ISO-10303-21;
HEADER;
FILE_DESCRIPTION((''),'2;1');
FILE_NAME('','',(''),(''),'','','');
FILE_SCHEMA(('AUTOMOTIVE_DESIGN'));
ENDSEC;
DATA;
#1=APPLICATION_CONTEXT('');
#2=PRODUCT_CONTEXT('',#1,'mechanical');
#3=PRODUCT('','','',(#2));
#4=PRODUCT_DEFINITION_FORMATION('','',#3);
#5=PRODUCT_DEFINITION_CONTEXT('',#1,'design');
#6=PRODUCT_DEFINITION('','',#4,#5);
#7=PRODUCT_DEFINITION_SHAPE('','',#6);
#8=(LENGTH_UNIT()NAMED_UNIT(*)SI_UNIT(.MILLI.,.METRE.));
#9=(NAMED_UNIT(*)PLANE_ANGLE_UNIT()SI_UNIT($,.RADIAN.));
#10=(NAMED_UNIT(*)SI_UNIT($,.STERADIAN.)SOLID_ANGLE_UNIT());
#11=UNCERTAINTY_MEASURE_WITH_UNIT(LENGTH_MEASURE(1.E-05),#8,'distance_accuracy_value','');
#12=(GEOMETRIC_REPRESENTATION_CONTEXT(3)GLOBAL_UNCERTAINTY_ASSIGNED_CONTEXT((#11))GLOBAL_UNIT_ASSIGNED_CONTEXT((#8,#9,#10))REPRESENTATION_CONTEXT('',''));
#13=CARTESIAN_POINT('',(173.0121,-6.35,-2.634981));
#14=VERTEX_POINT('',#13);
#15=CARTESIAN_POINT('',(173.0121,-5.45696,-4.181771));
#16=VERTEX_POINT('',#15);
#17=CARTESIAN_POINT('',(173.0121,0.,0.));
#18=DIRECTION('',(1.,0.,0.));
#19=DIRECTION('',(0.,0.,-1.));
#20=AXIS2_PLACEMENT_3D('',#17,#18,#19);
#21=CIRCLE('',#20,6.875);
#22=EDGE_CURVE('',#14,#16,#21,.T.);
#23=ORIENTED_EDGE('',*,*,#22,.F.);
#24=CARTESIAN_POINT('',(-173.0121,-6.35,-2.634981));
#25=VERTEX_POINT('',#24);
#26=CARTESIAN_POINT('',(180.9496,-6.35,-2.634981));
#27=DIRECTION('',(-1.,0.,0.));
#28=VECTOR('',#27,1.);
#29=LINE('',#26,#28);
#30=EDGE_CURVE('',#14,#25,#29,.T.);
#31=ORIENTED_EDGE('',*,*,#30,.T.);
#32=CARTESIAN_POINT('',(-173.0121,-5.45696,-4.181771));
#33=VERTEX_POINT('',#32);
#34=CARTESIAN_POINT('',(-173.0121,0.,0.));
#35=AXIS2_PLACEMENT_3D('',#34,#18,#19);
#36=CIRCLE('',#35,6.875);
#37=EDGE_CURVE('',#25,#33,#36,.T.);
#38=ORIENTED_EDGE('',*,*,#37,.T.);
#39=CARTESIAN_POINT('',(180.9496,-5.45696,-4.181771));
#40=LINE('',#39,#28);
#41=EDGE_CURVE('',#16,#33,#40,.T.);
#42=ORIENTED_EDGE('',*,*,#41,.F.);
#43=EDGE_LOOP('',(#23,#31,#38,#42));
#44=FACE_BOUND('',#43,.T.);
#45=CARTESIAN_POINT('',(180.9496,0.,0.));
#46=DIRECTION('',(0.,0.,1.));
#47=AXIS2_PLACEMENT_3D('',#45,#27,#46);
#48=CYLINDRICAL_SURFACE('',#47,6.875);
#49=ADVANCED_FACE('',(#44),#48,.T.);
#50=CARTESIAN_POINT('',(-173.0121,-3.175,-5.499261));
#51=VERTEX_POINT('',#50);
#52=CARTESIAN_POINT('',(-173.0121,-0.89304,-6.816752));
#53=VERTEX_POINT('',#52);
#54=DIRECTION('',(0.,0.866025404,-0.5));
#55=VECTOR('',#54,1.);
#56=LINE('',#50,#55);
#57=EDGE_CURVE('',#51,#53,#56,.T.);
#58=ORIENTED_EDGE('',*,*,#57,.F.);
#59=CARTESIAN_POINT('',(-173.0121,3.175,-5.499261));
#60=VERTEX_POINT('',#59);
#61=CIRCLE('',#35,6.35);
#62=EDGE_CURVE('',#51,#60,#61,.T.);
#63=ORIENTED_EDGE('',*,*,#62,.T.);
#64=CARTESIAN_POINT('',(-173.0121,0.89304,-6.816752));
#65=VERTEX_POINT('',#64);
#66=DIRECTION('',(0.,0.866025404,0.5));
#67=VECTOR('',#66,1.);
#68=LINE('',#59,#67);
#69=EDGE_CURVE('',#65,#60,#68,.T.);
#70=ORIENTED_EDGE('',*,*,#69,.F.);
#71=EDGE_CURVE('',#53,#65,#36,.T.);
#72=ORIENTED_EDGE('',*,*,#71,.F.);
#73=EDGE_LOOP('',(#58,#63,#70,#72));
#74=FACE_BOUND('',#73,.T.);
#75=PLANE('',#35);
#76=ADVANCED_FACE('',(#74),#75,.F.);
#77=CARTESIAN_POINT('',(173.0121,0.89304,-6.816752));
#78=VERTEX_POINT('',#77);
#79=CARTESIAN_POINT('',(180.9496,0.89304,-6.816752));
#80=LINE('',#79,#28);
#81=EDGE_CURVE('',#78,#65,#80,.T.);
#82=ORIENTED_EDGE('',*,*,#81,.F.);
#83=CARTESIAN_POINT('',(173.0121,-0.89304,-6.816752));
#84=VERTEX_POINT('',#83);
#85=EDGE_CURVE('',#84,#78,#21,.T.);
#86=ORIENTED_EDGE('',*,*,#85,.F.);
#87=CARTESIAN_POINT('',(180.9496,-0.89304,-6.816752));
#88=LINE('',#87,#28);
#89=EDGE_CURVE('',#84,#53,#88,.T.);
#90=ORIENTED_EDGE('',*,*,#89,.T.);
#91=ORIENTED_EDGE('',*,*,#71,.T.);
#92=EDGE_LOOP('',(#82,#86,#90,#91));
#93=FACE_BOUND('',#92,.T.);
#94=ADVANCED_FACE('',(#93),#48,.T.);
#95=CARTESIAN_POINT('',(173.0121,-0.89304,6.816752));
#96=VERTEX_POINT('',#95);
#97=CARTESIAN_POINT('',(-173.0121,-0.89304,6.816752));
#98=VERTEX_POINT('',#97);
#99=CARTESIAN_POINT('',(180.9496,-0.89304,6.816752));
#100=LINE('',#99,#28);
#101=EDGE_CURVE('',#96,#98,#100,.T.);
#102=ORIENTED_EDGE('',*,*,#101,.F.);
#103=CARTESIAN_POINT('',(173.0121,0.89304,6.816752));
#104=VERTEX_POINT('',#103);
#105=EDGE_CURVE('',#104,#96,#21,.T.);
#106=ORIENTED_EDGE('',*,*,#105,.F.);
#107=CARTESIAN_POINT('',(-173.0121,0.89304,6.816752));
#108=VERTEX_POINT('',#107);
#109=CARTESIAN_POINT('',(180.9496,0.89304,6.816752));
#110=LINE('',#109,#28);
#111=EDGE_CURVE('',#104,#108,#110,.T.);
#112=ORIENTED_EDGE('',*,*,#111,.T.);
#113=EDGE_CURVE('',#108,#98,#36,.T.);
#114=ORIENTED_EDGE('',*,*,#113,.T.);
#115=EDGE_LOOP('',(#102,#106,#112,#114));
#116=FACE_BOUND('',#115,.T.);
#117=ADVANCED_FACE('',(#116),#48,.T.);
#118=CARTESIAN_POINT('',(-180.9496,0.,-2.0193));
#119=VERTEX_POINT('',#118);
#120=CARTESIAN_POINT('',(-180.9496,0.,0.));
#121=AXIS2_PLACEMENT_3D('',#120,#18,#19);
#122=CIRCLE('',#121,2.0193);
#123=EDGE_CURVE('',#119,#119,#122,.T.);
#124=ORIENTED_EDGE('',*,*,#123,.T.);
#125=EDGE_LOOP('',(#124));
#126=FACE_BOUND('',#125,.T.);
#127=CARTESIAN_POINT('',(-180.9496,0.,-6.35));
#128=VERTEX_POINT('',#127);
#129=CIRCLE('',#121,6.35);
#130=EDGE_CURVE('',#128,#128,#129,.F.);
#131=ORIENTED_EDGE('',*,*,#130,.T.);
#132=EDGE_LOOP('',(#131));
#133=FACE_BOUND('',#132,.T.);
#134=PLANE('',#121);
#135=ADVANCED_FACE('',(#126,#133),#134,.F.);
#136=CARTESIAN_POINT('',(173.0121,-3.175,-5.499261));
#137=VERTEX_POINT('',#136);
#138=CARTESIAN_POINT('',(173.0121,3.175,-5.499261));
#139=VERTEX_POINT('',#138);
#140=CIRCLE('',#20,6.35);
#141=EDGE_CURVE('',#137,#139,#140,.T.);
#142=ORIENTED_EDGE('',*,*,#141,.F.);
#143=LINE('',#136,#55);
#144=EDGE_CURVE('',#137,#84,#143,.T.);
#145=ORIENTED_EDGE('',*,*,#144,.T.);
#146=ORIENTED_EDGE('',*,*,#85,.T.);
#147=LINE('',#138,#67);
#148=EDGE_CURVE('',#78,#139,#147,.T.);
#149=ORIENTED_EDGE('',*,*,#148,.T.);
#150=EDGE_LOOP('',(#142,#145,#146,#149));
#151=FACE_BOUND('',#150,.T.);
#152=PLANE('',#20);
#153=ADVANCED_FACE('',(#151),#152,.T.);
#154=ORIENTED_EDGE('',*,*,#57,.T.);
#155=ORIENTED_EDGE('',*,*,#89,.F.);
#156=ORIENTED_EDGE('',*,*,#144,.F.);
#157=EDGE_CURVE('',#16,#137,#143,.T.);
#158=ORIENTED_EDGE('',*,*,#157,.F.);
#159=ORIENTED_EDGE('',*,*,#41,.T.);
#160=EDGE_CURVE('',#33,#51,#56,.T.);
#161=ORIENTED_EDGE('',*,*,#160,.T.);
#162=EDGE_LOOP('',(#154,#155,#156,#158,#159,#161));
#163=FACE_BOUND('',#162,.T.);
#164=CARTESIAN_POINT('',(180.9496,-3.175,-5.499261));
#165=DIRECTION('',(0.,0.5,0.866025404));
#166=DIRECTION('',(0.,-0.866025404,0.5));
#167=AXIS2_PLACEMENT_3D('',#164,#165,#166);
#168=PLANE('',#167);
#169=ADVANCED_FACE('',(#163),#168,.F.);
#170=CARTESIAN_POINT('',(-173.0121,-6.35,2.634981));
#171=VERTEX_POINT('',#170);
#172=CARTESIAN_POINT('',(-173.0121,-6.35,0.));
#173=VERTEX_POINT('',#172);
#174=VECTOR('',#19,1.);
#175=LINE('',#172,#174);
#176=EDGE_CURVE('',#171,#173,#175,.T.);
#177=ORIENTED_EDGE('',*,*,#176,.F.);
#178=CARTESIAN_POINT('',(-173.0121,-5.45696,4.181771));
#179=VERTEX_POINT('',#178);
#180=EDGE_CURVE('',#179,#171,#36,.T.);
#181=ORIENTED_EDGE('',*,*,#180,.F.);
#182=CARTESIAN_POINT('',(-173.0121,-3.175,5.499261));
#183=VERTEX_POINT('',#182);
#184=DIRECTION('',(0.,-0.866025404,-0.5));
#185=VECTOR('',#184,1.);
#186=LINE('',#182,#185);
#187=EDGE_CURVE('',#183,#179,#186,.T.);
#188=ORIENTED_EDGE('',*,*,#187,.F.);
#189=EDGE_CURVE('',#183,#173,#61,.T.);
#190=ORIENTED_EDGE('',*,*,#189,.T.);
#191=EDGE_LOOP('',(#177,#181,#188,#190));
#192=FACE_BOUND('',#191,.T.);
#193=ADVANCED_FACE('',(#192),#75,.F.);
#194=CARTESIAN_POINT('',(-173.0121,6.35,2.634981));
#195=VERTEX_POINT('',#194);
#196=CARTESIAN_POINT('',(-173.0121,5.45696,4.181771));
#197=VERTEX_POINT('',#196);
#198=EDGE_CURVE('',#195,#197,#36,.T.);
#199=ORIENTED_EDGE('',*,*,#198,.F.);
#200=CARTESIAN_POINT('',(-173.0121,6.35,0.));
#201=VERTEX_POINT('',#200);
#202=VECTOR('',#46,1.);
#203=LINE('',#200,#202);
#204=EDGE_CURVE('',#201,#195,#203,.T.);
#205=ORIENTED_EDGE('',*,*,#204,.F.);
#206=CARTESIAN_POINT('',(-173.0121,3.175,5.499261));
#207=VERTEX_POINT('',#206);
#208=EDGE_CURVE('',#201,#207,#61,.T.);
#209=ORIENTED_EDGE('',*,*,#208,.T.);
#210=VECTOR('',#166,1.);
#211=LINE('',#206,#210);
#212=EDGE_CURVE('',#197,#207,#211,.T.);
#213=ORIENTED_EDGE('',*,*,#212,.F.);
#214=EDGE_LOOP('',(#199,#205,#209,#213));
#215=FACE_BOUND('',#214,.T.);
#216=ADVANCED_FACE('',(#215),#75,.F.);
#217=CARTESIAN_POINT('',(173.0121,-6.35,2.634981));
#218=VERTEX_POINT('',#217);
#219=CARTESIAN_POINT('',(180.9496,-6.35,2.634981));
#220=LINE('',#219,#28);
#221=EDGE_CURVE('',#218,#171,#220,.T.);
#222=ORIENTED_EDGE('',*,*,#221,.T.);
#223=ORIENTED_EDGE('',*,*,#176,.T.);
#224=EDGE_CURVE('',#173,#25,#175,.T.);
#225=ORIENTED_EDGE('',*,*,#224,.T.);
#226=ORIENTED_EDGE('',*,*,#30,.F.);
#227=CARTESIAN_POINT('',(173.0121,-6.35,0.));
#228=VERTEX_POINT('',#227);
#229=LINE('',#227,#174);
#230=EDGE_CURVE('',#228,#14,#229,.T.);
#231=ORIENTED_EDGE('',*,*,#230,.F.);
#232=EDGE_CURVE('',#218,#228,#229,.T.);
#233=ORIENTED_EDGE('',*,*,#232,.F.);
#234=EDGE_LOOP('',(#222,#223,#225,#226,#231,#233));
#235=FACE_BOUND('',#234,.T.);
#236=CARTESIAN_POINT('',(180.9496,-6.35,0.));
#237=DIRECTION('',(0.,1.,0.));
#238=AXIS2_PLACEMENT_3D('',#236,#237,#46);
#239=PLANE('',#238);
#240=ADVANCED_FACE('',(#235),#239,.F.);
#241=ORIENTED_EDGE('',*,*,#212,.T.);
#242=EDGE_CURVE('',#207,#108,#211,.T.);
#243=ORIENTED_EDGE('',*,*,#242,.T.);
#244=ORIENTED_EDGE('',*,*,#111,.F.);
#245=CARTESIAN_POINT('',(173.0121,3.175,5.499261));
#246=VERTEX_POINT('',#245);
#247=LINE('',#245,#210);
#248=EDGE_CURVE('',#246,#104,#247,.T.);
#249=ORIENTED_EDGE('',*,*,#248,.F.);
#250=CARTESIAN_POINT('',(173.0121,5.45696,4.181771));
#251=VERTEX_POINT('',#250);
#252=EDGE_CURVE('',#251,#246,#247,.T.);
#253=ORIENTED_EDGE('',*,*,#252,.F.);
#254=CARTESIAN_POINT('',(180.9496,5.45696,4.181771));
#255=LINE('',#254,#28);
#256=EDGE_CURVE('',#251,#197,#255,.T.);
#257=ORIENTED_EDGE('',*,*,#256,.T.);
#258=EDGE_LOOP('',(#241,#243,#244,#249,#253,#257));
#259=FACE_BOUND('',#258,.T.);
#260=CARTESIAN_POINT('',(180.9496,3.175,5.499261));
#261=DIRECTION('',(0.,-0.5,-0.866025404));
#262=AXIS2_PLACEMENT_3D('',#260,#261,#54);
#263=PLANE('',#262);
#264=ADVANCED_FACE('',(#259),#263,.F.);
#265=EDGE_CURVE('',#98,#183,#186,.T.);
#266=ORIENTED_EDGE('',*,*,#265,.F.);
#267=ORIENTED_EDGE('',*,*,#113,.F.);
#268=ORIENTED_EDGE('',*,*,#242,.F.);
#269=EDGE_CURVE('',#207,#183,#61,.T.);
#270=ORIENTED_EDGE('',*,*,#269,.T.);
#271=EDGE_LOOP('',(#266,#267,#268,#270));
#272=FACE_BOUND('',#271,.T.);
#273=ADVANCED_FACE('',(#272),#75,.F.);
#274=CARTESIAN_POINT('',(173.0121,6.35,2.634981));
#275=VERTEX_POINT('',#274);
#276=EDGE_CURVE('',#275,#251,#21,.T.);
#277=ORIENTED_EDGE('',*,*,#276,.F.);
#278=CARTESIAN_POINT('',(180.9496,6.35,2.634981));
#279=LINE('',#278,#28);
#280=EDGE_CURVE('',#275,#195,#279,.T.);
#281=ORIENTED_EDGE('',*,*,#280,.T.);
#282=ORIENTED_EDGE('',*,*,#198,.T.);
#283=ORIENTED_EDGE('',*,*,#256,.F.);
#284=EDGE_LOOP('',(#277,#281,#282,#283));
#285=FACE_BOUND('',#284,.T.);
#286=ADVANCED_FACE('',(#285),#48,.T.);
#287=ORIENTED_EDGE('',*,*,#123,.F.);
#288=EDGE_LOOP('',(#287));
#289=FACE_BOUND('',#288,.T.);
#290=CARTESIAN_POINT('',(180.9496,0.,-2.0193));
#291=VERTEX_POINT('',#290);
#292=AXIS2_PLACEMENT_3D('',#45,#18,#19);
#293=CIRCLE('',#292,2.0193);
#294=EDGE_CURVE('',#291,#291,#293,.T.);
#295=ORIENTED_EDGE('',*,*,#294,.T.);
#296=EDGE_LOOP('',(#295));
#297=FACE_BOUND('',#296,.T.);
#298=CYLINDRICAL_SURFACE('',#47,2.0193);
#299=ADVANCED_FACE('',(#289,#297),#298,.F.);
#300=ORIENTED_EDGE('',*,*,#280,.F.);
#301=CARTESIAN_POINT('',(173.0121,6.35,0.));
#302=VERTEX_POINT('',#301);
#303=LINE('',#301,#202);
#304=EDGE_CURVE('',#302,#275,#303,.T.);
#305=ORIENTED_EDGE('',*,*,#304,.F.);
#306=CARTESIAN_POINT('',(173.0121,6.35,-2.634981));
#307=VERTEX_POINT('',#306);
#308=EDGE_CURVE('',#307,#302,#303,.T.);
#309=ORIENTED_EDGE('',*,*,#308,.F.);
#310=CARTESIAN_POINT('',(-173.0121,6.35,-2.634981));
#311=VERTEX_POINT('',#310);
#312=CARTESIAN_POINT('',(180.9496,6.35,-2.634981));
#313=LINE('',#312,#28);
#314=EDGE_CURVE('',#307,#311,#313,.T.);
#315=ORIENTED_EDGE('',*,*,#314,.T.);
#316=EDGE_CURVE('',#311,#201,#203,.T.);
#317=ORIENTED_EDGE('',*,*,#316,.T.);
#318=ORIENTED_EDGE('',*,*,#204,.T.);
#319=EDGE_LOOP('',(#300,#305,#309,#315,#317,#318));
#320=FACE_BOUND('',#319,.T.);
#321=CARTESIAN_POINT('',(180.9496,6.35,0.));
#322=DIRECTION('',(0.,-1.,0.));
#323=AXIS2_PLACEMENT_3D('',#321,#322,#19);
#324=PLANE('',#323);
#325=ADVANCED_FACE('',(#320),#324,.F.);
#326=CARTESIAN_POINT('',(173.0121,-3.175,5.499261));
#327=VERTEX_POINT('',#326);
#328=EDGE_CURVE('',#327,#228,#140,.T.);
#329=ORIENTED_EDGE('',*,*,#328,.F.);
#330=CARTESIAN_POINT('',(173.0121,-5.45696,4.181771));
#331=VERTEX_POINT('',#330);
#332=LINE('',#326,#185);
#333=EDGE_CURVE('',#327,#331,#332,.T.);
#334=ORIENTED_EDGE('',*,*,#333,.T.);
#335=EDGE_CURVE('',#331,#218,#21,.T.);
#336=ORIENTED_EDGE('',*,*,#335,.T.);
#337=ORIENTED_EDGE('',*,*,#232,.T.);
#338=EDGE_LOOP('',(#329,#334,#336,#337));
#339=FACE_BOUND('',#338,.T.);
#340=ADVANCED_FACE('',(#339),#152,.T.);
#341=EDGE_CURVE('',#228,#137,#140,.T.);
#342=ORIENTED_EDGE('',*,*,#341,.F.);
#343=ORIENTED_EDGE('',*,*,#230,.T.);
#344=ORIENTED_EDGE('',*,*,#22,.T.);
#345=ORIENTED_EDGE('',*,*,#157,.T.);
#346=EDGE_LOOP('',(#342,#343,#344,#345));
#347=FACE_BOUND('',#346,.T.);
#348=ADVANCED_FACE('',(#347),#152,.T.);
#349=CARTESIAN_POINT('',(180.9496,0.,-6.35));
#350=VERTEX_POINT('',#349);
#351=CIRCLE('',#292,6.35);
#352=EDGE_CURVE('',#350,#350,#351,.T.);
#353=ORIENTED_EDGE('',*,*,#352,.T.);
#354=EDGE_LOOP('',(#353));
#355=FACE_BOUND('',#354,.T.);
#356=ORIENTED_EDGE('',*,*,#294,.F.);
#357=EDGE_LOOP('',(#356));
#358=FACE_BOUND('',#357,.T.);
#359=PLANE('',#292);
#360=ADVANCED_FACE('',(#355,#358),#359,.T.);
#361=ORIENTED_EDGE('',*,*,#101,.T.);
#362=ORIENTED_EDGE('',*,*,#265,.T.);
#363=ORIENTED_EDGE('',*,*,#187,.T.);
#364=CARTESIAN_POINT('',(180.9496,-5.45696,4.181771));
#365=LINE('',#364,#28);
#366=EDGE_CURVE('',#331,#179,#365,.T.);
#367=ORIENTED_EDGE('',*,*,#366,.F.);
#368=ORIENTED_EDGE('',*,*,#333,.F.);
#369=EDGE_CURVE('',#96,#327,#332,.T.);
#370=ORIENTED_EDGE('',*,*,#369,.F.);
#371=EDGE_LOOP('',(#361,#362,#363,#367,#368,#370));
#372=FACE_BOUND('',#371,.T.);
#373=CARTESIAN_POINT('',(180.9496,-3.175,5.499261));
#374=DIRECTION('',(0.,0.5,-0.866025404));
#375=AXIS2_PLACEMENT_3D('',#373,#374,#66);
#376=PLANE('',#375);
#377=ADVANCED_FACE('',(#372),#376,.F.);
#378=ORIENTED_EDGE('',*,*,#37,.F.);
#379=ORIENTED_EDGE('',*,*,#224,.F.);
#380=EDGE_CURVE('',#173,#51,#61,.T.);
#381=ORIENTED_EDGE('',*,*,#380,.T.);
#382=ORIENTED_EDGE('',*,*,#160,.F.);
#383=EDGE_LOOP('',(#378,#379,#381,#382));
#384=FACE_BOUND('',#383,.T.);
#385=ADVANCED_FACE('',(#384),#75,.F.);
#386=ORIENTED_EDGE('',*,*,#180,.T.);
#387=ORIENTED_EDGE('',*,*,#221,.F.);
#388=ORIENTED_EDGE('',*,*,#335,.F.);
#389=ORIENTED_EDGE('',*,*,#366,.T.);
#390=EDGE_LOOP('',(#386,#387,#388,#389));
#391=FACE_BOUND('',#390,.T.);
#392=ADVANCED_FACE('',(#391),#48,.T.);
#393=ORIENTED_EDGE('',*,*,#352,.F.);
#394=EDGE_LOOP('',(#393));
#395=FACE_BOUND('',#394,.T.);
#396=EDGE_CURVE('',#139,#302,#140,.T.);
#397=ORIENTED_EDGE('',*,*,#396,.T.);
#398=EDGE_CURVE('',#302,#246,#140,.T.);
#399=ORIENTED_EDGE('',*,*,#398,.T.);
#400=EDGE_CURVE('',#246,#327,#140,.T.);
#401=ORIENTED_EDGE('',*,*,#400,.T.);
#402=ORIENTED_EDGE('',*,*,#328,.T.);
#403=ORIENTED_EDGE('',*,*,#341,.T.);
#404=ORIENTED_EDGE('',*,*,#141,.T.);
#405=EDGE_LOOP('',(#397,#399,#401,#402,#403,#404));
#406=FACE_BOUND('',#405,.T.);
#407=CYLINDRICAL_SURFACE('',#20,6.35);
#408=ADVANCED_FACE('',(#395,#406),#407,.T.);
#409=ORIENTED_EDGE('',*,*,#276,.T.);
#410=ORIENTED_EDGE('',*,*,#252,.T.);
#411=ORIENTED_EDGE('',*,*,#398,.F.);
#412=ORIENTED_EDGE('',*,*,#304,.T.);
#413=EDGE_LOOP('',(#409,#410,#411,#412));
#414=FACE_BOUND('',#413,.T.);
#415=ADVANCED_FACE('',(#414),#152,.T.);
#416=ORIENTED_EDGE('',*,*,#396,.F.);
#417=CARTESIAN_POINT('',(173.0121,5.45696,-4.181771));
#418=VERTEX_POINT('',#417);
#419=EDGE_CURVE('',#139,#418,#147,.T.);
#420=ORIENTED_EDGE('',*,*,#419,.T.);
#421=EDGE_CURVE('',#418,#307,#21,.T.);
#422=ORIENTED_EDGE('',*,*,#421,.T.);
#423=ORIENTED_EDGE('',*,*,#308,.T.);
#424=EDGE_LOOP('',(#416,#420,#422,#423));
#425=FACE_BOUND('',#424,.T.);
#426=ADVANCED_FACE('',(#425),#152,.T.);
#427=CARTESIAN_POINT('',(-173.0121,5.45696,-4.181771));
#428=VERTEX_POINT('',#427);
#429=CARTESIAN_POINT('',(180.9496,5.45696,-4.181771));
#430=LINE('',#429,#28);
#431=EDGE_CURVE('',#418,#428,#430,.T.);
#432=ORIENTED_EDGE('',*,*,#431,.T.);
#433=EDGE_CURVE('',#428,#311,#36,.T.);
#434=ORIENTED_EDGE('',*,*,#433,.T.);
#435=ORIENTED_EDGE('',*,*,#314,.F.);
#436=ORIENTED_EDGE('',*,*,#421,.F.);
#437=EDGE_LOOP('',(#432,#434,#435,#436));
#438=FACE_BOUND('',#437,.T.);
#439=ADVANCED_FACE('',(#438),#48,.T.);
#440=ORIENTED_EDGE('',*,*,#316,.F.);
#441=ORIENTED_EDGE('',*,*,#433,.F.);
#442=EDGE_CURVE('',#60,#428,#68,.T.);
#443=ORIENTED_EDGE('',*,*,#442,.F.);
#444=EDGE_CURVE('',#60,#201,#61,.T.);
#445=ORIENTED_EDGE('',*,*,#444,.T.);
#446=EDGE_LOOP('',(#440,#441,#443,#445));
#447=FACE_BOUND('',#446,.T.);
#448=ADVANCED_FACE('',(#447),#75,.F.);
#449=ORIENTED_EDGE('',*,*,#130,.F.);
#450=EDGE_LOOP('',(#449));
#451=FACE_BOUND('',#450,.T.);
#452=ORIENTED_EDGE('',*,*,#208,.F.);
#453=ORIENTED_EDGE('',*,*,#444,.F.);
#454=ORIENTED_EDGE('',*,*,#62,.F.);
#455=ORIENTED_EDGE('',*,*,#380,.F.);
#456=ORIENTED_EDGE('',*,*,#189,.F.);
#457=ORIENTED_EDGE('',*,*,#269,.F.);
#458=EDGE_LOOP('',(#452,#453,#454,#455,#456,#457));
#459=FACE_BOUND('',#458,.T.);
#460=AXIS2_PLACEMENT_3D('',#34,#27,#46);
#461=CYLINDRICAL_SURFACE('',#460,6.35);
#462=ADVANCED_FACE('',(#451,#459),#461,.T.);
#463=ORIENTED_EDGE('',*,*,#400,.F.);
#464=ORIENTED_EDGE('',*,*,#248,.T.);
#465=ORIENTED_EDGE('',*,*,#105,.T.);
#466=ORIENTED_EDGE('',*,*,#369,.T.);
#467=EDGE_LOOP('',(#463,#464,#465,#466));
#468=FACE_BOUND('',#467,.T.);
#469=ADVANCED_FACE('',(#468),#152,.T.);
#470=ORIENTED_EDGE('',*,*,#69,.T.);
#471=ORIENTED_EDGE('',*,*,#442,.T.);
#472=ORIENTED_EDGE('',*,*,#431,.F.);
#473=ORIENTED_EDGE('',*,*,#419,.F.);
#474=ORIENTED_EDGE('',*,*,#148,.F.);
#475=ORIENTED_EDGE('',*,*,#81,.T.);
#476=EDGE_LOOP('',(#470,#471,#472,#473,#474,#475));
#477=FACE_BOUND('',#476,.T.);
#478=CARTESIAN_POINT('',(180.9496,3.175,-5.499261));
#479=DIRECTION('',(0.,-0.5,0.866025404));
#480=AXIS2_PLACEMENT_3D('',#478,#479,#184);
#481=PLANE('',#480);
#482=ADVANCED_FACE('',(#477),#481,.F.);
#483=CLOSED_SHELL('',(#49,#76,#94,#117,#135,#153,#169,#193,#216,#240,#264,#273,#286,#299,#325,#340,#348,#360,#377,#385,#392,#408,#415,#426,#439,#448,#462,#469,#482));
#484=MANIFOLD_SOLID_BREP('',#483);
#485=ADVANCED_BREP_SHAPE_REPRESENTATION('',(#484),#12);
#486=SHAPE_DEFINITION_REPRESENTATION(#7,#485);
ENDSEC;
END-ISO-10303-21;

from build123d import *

# Parameters (mm, degrees)
SKETCH1_R                            = 2.0193
BOSS_EXTRUDE1_DEPTH                  = 180.9496
F_10_32_TAPPED_HOLE1_D               = 4.0386
F_10_32_TAPPED_HOLE1_DEPTH           = 16.34744
F_10_32_TAPPED_HOLE1_TIP             = 1.213317848
F_10_32_TAPPED_HOLE1_ON_FACE_2_D     = 4.0386
F_10_32_TAPPED_HOLE1_ON_FACE_2_DEPTH = 16.34744
F_10_32_TAPPED_HOLE1_ON_FACE_2_TIP   = 1.213317848
SKETCH3_R                            = 8.89
SKETCH3_R_2                          = 6.35
CUT_EXTRUDE_THIN1_DEPTH              = 7.9375


with BuildPart() as part:
    # Sketch1 → Boss-Extrude1 (new, symmetric)
    with BuildSketch(Plane(origin=(0, 0, 0), x_dir=(0, 0, -1), z_dir=(1, 0, 0))):
        with BuildLine():
            ThreePointArc((4.181770846, 5.456960429), (3.437499983, 5.953924622), (2.634980936, 6.35))
            Line((2.634980936, 6.35), (-2.634980936, 6.35))
            ThreePointArc((-2.634980936, 6.35), (-3.437499983, 5.953924622), (-4.181770846, 5.456960429))
            Line((-4.181770846, 5.456960429), (-6.816751782, 0.893039571))
            ThreePointArc((-6.816751782, 0.893039571), (-6.874999966, 0), (-6.816751782, -0.893039571))
            Line((-6.816751782, -0.893039571), (-4.181770846, -5.456960429))
            ThreePointArc((-4.181770846, -5.456960429), (-3.437499983, -5.953924622), (-2.634980936, -6.35))
            Line((-2.634980936, -6.35), (2.634980936, -6.35))
            ThreePointArc((2.634980936, -6.35), (3.437499983, -5.953924622), (4.181770846, -5.456960429))
            Line((4.181770846, -5.456960429), (6.816751782, -0.893039571))
            ThreePointArc((6.816751782, -0.893039571), (6.860422465, -0.447468582), (6.874999966, 0))
            ThreePointArc((6.874999966, 0), (6.860422465, 0.447468582), (6.816751782, 0.893039571))
            Line((6.816751782, 0.893039571), (4.181770846, 5.456960429))
        make_face()
        Circle(SKETCH1_R, mode=Mode.SUBTRACT)
    extrude(amount=BOSS_EXTRUDE1_DEPTH, both=True)

    # #10-32 Tapped Hole1
    with Locations(Plane(origin=(180.9496, 0, 0), x_dir=(0, 0, 1), z_dir=(1, 0, 0))):
        with Locations((0, 0)):
            Hole(F_10_32_TAPPED_HOLE1_D / 2, depth=F_10_32_TAPPED_HOLE1_DEPTH)
            with Locations((0, 0, -(F_10_32_TAPPED_HOLE1_DEPTH + F_10_32_TAPPED_HOLE1_TIP / 2))):  # 118° drill point
                Cone(0, F_10_32_TAPPED_HOLE1_D / 2, F_10_32_TAPPED_HOLE1_TIP, mode=Mode.SUBTRACT)

    # #10-32 Tapped Hole1 on face 2
    with Locations(Plane(origin=(-180.9496, 0, 0), x_dir=(0, 0, 1), z_dir=(1, 0, 0))):
        with Locations((0, 0)):
            Hole(F_10_32_TAPPED_HOLE1_ON_FACE_2_D / 2, depth=F_10_32_TAPPED_HOLE1_ON_FACE_2_DEPTH)
            with Locations((0, 0, -(F_10_32_TAPPED_HOLE1_ON_FACE_2_DEPTH + F_10_32_TAPPED_HOLE1_ON_FACE_2_TIP / 2))):  # 118° drill point
                Cone(0, F_10_32_TAPPED_HOLE1_ON_FACE_2_D / 2, F_10_32_TAPPED_HOLE1_ON_FACE_2_TIP, mode=Mode.SUBTRACT)

    # Sketch3 → Cut-Extrude-Thin1 (cut)
    with BuildSketch(Plane(origin=(180.9496, 0, 0), x_dir=(0, 0, -1), z_dir=(1, 0, 0))):
        Circle(SKETCH3_R)
        Circle(SKETCH3_R_2, mode=Mode.SUBTRACT)
    cut_extrude_thin1 = extrude(amount=-CUT_EXTRUDE_THIN1_DEPTH, mode=Mode.SUBTRACT)

    # Mirror1: Cut-Extrude-Thin1 across plane
    add(cut_extrude_thin1.mirror(Plane(origin=(0, 0, 0), x_dir=(0, 0, 1), z_dir=(1, 0, 0))), mode=Mode.SUBTRACT)


solid = part.part
